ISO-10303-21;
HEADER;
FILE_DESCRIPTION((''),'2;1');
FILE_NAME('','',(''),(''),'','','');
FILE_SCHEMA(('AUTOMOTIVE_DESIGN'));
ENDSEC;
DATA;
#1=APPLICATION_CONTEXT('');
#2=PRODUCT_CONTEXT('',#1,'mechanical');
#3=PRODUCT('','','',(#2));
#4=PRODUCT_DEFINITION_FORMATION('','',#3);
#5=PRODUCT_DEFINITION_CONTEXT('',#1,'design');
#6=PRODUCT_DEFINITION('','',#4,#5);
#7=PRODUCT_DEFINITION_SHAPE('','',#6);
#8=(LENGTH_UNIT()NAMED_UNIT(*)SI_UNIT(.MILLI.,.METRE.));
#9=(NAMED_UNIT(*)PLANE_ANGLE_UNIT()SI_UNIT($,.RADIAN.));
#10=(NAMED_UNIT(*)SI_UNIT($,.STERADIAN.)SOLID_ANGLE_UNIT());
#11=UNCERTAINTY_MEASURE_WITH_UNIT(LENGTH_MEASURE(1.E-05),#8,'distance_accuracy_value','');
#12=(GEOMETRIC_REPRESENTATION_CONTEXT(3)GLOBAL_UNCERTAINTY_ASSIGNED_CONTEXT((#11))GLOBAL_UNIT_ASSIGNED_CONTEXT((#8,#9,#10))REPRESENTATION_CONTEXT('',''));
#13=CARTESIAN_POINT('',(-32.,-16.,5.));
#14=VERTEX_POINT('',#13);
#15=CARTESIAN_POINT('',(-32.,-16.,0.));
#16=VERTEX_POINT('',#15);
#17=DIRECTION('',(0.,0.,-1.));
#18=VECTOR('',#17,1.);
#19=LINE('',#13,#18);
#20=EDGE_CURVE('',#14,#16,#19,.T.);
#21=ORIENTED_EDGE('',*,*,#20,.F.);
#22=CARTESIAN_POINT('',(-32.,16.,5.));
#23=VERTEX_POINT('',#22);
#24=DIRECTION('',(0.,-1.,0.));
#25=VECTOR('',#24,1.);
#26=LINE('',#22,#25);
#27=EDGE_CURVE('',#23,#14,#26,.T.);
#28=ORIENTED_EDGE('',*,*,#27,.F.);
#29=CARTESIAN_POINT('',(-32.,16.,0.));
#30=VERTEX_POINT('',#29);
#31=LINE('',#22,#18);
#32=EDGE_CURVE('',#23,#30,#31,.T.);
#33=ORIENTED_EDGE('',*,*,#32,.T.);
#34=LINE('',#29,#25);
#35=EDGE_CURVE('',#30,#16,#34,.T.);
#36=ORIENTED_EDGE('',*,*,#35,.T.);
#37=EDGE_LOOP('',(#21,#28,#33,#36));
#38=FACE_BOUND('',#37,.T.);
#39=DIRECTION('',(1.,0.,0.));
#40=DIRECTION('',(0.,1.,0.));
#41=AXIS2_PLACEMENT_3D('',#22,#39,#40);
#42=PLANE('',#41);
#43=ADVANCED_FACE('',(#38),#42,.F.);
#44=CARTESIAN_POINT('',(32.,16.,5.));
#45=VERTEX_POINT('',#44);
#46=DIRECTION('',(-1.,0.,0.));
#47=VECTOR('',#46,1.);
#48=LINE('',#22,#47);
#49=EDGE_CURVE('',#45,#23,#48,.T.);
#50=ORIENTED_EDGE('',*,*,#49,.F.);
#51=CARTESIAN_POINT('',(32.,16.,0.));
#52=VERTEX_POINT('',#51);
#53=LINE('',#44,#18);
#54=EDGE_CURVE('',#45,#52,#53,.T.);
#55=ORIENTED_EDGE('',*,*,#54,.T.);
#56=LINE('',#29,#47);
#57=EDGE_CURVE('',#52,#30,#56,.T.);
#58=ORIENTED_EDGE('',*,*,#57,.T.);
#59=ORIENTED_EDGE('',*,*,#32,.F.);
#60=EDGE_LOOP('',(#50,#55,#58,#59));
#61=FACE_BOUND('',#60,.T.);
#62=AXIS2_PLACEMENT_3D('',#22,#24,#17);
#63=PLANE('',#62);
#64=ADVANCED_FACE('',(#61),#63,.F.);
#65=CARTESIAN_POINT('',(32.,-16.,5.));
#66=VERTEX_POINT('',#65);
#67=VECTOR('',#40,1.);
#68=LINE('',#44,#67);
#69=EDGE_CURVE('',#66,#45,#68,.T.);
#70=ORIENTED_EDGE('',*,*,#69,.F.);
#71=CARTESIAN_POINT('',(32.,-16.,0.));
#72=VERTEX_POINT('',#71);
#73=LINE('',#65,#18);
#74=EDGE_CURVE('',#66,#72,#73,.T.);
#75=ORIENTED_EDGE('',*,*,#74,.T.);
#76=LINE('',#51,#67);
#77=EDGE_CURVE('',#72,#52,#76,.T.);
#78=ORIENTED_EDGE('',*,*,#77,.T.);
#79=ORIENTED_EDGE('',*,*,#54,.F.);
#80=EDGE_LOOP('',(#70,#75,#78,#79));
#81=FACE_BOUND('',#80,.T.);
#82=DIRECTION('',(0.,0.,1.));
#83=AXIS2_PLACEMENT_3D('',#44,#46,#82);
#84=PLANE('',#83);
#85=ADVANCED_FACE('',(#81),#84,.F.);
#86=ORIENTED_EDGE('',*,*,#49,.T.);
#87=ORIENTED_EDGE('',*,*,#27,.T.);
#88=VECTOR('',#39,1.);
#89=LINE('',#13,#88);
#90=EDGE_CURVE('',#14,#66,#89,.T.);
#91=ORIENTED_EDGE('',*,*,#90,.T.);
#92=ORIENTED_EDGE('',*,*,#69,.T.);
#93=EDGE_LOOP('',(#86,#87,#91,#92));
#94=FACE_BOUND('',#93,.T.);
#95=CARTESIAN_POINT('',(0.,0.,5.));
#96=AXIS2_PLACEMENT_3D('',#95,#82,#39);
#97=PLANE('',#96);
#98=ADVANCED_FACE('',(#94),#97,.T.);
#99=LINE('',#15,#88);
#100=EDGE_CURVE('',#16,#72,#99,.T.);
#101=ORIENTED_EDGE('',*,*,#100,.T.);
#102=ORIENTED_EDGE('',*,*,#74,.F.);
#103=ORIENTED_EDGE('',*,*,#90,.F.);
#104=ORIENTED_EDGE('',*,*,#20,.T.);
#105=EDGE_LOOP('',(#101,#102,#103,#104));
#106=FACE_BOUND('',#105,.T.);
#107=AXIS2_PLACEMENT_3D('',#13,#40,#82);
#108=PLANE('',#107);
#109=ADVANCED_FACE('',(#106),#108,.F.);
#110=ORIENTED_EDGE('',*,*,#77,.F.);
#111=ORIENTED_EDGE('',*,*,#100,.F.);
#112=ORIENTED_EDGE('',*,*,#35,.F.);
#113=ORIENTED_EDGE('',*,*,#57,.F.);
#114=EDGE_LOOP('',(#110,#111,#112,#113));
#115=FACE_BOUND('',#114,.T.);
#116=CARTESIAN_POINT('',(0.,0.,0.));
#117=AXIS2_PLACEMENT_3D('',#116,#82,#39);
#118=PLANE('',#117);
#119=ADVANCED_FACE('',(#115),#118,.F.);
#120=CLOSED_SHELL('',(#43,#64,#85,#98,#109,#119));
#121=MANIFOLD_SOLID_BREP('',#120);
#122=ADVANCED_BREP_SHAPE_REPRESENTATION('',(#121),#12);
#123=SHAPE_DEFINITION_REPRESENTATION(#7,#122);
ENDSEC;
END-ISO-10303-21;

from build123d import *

# Parameters (mm, degrees)
SKETCH12_W          = 64
SKETCH12_H          = 32
BOSS_EXTRUDE1_DEPTH = 5


with BuildPart() as part:
    # Sketch12 → Boss-Extrude1 (new body)
    with BuildSketch(Plane.XY):
        Rectangle(SKETCH12_W, SKETCH12_H)
    extrude(amount=BOSS_EXTRUDE1_DEPTH)


solid = part.part
